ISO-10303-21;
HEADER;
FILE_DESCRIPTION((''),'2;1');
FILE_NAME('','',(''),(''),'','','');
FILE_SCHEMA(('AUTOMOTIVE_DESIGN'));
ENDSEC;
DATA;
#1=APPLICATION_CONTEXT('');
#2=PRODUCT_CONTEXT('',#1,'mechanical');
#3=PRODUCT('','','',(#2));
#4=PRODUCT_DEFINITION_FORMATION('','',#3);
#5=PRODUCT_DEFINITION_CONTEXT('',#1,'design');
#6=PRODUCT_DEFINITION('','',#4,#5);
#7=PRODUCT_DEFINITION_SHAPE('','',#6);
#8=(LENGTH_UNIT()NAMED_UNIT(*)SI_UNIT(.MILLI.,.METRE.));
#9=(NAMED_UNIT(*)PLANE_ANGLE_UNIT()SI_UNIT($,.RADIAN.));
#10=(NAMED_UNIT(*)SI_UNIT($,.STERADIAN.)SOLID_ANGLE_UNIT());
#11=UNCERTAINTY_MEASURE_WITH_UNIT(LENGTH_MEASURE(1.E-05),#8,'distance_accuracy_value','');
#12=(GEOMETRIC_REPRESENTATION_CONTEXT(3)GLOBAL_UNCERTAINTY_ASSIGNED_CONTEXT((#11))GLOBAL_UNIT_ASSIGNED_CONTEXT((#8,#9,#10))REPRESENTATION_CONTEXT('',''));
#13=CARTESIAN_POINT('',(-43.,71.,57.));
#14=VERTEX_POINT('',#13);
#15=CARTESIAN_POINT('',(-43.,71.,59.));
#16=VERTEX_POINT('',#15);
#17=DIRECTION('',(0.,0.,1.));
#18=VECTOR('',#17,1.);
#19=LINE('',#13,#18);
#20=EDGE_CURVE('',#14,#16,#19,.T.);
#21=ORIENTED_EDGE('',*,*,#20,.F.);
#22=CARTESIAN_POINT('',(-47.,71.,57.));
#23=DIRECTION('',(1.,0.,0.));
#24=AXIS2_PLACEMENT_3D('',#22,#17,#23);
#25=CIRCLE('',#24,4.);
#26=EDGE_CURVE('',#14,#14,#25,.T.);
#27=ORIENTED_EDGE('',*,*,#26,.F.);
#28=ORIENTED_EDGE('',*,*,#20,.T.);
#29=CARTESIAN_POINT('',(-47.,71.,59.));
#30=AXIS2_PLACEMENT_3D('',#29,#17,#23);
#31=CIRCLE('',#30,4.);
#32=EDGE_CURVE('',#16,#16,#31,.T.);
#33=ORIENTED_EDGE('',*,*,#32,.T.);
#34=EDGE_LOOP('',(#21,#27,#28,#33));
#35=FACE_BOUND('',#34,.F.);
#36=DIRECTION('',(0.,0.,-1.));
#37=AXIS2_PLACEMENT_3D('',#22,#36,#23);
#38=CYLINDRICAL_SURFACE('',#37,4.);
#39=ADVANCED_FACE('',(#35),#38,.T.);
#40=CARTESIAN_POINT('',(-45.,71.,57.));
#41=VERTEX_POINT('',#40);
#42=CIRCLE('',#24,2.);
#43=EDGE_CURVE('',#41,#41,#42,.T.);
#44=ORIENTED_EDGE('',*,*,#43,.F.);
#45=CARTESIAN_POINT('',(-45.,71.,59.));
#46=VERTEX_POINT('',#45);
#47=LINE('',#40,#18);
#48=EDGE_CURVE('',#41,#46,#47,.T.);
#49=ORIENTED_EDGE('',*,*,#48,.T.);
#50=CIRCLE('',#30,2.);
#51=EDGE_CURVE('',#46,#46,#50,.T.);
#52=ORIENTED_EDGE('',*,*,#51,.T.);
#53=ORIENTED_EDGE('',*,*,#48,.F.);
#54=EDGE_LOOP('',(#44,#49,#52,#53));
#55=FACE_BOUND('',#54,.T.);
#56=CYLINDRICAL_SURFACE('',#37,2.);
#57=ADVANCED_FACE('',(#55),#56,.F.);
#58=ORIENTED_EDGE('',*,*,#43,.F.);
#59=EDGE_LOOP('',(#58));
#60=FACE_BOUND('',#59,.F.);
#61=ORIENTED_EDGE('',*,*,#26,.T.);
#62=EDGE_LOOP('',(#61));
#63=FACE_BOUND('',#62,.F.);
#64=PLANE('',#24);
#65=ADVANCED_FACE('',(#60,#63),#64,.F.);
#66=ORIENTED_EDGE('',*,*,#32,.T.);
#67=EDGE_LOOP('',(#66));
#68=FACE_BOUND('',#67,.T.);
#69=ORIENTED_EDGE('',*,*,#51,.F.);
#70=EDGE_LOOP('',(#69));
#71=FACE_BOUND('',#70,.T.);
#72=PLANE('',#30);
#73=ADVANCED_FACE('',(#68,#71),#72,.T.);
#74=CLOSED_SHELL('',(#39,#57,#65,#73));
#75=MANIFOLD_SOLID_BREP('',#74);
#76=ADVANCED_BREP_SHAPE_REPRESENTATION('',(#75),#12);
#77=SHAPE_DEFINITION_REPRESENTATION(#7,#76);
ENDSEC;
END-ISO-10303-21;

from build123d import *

# Parameters (mm, degrees)
CYLINDER355_R     = 2
CYLINDER355_DEPTH = 2
CYLINDER356_R     = 4
CYLINDER356_DEPTH = 2


with BuildPart() as cylinder355:
    # Cylinder355 → Cylinder355 (new body)
    with BuildSketch(Plane.XY):
        Circle(CYLINDER355_R)
    extrude(amount=CYLINDER355_DEPTH)


with BuildPart() as spacer4:
    # Cylinder356 → Cylinder356 (new body)
    with BuildSketch(Plane.XY):
        Circle(CYLINDER356_R)
    extrude(amount=CYLINDER356_DEPTH)

    # Cut372: cut Cylinder355
    add(cylinder355.part, mode=Mode.SUBTRACT)


with BuildPart() as spacer4_1:
    # Cut372 placement: moved
    add(spacer4.part.moved(Location((-47, 71, 57))))


solid = spacer4_1.part
